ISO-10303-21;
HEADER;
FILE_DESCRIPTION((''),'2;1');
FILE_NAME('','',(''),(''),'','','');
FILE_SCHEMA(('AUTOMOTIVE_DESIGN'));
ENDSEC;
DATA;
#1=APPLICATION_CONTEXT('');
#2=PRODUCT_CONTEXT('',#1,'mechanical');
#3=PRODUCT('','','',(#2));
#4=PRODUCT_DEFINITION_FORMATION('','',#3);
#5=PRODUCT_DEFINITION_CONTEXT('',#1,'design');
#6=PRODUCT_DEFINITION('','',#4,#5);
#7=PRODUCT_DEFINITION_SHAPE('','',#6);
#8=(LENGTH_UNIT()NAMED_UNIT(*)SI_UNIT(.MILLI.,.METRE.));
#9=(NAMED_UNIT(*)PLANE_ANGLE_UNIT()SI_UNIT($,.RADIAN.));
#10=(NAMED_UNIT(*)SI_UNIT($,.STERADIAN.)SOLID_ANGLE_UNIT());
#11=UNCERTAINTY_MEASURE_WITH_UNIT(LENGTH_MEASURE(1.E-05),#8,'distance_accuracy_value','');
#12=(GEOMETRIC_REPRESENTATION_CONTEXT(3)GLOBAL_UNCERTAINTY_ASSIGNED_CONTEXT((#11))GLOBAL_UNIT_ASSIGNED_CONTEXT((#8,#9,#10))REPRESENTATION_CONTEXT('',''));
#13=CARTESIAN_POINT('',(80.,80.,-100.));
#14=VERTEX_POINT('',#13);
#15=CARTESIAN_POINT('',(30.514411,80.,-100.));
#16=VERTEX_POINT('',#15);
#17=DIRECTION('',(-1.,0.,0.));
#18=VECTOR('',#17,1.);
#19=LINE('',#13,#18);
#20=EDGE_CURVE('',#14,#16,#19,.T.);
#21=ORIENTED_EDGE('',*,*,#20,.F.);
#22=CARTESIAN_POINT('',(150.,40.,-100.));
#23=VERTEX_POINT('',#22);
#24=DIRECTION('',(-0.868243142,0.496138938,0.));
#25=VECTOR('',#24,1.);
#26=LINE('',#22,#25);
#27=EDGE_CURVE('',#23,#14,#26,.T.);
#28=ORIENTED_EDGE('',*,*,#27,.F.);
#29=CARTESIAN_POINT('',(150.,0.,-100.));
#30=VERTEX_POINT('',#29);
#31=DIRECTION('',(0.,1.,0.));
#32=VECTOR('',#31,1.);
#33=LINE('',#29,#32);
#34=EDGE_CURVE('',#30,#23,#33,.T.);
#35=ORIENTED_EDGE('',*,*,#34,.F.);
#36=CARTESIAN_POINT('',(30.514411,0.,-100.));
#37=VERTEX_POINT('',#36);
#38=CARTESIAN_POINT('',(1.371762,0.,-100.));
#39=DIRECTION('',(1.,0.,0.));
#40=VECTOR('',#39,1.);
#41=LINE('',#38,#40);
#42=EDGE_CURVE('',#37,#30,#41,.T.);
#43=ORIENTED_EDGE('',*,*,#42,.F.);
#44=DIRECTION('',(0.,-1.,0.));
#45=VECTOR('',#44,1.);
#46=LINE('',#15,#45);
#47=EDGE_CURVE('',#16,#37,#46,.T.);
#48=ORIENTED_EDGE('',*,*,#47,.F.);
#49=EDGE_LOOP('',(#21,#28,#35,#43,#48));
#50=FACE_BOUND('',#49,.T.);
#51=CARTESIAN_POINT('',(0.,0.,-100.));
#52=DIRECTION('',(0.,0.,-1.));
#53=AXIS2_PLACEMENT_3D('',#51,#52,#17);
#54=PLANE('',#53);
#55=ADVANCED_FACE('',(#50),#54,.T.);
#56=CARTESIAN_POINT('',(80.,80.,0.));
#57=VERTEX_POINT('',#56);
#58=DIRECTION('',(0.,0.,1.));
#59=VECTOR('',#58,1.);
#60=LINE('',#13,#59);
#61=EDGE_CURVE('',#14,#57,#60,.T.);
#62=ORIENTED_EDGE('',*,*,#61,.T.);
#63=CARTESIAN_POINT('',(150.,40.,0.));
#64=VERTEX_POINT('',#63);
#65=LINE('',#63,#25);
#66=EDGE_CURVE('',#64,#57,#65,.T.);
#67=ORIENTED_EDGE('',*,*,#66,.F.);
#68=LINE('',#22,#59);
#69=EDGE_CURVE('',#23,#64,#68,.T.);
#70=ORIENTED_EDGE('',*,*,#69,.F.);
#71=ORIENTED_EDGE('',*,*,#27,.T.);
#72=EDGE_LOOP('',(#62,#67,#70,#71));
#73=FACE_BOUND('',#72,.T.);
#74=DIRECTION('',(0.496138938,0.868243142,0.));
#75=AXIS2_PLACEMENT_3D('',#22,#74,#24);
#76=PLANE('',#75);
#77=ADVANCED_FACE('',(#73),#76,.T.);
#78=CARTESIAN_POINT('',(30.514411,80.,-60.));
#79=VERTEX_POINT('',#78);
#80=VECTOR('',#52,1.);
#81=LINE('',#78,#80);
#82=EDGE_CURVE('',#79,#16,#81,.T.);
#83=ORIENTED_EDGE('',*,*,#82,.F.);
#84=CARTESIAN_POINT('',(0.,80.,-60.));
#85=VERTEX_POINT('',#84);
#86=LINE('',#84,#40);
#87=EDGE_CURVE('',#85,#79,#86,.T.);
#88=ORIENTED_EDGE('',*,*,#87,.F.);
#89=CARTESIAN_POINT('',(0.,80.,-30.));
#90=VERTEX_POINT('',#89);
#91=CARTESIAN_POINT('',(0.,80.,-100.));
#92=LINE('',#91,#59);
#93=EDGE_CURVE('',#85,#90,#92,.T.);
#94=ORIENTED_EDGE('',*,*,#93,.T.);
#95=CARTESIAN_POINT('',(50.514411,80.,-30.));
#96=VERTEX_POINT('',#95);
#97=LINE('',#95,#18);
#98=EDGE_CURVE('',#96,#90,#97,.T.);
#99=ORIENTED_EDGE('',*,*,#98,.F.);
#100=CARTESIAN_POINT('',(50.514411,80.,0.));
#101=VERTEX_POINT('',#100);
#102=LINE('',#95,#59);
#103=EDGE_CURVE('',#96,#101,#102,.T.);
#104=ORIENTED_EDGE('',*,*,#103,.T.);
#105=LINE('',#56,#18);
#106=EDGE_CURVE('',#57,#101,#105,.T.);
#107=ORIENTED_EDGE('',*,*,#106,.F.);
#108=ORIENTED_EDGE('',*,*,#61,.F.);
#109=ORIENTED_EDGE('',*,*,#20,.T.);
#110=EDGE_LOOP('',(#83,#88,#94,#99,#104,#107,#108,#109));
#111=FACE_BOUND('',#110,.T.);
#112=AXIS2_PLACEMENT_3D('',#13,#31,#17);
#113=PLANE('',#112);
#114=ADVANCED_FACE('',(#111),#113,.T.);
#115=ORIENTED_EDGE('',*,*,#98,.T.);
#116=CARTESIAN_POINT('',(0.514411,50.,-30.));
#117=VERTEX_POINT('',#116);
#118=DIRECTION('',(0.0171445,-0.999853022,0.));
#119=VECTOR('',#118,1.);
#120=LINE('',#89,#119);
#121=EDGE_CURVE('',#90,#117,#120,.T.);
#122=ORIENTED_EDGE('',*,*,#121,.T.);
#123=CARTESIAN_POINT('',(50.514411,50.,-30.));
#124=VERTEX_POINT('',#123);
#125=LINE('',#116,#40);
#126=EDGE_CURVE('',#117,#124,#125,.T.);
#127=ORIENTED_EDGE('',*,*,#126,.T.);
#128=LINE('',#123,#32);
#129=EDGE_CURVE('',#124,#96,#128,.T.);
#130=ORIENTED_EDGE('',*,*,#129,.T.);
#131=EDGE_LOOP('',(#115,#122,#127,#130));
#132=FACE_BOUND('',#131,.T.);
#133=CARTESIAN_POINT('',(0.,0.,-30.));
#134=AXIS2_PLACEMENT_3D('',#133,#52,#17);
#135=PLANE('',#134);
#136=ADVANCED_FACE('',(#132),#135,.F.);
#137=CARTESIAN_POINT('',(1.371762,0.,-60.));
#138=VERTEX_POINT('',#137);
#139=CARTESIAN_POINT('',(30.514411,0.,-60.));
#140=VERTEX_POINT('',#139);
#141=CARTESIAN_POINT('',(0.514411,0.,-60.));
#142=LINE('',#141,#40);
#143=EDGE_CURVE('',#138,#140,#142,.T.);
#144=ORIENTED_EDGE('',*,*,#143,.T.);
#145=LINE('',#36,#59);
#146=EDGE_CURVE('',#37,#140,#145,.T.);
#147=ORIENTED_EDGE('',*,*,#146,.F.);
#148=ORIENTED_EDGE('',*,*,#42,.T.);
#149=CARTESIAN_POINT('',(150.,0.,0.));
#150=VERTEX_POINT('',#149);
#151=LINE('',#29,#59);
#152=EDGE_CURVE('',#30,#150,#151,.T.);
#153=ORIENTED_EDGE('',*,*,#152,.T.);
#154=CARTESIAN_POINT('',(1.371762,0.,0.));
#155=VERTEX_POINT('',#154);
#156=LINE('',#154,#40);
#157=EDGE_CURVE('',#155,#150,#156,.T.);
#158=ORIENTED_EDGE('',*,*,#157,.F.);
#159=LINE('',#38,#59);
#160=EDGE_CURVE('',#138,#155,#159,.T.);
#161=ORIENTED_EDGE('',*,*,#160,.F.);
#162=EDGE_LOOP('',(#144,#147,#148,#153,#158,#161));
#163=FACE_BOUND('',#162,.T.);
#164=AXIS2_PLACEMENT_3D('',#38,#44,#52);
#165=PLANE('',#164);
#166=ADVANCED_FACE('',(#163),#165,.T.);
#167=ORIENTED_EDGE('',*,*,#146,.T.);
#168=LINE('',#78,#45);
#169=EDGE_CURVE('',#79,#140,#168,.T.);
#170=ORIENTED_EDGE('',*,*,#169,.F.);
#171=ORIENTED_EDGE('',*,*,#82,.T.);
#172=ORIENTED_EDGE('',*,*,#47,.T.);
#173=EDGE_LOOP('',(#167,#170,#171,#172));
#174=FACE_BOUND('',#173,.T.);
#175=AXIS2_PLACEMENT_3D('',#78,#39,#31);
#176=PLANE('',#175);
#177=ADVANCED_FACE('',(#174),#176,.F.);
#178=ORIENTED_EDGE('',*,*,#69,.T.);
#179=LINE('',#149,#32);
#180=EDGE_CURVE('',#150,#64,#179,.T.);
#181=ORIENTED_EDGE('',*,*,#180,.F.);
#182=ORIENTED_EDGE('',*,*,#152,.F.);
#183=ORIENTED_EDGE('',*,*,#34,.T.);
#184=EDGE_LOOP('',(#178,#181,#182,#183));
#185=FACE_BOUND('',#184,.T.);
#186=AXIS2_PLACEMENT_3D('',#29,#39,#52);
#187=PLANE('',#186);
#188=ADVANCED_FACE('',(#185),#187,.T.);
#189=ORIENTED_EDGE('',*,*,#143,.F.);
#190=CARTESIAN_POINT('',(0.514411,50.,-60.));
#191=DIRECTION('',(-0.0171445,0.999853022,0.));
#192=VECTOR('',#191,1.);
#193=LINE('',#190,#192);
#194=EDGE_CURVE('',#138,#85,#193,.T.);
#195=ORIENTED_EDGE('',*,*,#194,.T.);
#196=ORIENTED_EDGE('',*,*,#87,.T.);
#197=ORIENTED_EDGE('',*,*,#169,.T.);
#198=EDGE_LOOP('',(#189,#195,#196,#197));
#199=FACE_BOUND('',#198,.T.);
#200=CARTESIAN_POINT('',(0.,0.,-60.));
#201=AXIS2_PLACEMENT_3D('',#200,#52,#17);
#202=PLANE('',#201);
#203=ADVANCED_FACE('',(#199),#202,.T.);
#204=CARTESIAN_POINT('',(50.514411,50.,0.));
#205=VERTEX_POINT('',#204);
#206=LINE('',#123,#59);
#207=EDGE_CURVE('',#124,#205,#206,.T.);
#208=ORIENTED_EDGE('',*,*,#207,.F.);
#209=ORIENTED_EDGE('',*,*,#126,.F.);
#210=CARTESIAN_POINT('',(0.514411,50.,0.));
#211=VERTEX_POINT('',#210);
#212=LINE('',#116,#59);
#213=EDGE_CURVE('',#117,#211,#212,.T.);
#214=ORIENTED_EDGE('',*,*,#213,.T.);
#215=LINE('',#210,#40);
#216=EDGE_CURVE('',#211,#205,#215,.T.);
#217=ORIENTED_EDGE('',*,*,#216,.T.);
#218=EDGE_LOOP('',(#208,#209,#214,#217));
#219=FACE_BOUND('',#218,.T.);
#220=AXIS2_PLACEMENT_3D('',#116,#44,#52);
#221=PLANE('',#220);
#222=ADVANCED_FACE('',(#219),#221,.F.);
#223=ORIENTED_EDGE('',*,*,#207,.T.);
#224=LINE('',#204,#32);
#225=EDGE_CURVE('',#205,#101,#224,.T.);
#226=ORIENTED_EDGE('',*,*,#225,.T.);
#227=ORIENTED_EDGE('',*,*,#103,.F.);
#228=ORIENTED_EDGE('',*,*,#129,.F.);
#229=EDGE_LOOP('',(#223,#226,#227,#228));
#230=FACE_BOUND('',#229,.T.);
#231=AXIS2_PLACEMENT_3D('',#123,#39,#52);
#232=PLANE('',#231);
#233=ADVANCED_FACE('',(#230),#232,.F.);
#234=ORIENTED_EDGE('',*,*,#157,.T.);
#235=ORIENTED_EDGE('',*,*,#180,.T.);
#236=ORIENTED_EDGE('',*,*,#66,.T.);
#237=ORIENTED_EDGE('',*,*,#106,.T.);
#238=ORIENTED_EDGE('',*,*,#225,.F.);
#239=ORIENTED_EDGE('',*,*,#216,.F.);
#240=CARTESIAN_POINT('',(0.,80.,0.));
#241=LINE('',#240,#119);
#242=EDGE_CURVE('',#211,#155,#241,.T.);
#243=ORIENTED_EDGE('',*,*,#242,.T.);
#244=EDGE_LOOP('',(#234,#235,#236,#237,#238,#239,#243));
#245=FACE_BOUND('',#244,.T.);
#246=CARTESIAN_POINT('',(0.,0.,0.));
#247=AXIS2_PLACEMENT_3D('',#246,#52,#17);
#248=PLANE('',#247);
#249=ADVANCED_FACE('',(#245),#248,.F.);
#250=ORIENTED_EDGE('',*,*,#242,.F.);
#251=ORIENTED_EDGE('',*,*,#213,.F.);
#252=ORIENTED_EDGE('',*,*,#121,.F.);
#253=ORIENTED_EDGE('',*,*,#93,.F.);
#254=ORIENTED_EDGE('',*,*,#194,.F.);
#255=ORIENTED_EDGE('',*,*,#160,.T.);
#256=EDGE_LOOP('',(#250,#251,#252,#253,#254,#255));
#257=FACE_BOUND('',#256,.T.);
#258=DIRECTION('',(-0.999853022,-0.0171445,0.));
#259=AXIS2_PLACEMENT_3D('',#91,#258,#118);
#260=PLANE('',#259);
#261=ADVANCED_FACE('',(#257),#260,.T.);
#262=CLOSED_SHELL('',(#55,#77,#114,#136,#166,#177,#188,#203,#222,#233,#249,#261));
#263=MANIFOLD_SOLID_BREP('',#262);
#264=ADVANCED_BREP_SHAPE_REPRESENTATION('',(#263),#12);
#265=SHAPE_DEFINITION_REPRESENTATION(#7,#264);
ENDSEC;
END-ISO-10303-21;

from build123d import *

# Parameters (mm, degrees)
BOSS_EXTRUDE1_DEPTH = 100
CUT_EXTRUDE1_DEPTH  = 30
CUT_EXTRUDE2_DEPTH  = 40
SKETCH5_W           = 30
SKETCH5_H           = 40
CUT_EXTRUDE3_DEPTH  = 188.082869339


with BuildPart() as part:
    # Sketch1 → Boss-Extrude1 (new body)
    with BuildSketch(Plane.XY):
        Polygon((1.371761587, 0), (150, 0), (150, 40), (80, 80), (0, 80), align=None)
    extrude(amount=-BOSS_EXTRUDE1_DEPTH)

    # Sketch2 → Cut-Extrude1 (cut)
    with BuildSketch(Plane.XY):
        Polygon((0, 80), (0.514410595, 50), (50.514410595, 50), (50.514410595, 80), align=None)
    extrude(amount=-CUT_EXTRUDE1_DEPTH, mode=Mode.SUBTRACT)

    # Sketch3 → Cut-Extrude2 (cut)
    with BuildSketch(Plane(origin=(0, 0, -100), x_dir=(-1, 0, 0), z_dir=(0, 0, -1))):
        Polygon((0, 80), (-30.514410595, 80), (-30.514410595, 50), (-0.514410595, 50), align=None)
    extrude(amount=-CUT_EXTRUDE2_DEPTH, mode=Mode.SUBTRACT)

    # Sketch5 → Cut-Extrude3 (cut, through all)
    with BuildSketch(Plane(origin=(0, 50, 0), x_dir=(1, 0, 0), z_dir=(0, 1, 0))):
        with Locations((15.514410595, 80)):
            Rectangle(SKETCH5_W, SKETCH5_H)
    extrude(amount=-CUT_EXTRUDE3_DEPTH, mode=Mode.SUBTRACT)


solid = part.part
